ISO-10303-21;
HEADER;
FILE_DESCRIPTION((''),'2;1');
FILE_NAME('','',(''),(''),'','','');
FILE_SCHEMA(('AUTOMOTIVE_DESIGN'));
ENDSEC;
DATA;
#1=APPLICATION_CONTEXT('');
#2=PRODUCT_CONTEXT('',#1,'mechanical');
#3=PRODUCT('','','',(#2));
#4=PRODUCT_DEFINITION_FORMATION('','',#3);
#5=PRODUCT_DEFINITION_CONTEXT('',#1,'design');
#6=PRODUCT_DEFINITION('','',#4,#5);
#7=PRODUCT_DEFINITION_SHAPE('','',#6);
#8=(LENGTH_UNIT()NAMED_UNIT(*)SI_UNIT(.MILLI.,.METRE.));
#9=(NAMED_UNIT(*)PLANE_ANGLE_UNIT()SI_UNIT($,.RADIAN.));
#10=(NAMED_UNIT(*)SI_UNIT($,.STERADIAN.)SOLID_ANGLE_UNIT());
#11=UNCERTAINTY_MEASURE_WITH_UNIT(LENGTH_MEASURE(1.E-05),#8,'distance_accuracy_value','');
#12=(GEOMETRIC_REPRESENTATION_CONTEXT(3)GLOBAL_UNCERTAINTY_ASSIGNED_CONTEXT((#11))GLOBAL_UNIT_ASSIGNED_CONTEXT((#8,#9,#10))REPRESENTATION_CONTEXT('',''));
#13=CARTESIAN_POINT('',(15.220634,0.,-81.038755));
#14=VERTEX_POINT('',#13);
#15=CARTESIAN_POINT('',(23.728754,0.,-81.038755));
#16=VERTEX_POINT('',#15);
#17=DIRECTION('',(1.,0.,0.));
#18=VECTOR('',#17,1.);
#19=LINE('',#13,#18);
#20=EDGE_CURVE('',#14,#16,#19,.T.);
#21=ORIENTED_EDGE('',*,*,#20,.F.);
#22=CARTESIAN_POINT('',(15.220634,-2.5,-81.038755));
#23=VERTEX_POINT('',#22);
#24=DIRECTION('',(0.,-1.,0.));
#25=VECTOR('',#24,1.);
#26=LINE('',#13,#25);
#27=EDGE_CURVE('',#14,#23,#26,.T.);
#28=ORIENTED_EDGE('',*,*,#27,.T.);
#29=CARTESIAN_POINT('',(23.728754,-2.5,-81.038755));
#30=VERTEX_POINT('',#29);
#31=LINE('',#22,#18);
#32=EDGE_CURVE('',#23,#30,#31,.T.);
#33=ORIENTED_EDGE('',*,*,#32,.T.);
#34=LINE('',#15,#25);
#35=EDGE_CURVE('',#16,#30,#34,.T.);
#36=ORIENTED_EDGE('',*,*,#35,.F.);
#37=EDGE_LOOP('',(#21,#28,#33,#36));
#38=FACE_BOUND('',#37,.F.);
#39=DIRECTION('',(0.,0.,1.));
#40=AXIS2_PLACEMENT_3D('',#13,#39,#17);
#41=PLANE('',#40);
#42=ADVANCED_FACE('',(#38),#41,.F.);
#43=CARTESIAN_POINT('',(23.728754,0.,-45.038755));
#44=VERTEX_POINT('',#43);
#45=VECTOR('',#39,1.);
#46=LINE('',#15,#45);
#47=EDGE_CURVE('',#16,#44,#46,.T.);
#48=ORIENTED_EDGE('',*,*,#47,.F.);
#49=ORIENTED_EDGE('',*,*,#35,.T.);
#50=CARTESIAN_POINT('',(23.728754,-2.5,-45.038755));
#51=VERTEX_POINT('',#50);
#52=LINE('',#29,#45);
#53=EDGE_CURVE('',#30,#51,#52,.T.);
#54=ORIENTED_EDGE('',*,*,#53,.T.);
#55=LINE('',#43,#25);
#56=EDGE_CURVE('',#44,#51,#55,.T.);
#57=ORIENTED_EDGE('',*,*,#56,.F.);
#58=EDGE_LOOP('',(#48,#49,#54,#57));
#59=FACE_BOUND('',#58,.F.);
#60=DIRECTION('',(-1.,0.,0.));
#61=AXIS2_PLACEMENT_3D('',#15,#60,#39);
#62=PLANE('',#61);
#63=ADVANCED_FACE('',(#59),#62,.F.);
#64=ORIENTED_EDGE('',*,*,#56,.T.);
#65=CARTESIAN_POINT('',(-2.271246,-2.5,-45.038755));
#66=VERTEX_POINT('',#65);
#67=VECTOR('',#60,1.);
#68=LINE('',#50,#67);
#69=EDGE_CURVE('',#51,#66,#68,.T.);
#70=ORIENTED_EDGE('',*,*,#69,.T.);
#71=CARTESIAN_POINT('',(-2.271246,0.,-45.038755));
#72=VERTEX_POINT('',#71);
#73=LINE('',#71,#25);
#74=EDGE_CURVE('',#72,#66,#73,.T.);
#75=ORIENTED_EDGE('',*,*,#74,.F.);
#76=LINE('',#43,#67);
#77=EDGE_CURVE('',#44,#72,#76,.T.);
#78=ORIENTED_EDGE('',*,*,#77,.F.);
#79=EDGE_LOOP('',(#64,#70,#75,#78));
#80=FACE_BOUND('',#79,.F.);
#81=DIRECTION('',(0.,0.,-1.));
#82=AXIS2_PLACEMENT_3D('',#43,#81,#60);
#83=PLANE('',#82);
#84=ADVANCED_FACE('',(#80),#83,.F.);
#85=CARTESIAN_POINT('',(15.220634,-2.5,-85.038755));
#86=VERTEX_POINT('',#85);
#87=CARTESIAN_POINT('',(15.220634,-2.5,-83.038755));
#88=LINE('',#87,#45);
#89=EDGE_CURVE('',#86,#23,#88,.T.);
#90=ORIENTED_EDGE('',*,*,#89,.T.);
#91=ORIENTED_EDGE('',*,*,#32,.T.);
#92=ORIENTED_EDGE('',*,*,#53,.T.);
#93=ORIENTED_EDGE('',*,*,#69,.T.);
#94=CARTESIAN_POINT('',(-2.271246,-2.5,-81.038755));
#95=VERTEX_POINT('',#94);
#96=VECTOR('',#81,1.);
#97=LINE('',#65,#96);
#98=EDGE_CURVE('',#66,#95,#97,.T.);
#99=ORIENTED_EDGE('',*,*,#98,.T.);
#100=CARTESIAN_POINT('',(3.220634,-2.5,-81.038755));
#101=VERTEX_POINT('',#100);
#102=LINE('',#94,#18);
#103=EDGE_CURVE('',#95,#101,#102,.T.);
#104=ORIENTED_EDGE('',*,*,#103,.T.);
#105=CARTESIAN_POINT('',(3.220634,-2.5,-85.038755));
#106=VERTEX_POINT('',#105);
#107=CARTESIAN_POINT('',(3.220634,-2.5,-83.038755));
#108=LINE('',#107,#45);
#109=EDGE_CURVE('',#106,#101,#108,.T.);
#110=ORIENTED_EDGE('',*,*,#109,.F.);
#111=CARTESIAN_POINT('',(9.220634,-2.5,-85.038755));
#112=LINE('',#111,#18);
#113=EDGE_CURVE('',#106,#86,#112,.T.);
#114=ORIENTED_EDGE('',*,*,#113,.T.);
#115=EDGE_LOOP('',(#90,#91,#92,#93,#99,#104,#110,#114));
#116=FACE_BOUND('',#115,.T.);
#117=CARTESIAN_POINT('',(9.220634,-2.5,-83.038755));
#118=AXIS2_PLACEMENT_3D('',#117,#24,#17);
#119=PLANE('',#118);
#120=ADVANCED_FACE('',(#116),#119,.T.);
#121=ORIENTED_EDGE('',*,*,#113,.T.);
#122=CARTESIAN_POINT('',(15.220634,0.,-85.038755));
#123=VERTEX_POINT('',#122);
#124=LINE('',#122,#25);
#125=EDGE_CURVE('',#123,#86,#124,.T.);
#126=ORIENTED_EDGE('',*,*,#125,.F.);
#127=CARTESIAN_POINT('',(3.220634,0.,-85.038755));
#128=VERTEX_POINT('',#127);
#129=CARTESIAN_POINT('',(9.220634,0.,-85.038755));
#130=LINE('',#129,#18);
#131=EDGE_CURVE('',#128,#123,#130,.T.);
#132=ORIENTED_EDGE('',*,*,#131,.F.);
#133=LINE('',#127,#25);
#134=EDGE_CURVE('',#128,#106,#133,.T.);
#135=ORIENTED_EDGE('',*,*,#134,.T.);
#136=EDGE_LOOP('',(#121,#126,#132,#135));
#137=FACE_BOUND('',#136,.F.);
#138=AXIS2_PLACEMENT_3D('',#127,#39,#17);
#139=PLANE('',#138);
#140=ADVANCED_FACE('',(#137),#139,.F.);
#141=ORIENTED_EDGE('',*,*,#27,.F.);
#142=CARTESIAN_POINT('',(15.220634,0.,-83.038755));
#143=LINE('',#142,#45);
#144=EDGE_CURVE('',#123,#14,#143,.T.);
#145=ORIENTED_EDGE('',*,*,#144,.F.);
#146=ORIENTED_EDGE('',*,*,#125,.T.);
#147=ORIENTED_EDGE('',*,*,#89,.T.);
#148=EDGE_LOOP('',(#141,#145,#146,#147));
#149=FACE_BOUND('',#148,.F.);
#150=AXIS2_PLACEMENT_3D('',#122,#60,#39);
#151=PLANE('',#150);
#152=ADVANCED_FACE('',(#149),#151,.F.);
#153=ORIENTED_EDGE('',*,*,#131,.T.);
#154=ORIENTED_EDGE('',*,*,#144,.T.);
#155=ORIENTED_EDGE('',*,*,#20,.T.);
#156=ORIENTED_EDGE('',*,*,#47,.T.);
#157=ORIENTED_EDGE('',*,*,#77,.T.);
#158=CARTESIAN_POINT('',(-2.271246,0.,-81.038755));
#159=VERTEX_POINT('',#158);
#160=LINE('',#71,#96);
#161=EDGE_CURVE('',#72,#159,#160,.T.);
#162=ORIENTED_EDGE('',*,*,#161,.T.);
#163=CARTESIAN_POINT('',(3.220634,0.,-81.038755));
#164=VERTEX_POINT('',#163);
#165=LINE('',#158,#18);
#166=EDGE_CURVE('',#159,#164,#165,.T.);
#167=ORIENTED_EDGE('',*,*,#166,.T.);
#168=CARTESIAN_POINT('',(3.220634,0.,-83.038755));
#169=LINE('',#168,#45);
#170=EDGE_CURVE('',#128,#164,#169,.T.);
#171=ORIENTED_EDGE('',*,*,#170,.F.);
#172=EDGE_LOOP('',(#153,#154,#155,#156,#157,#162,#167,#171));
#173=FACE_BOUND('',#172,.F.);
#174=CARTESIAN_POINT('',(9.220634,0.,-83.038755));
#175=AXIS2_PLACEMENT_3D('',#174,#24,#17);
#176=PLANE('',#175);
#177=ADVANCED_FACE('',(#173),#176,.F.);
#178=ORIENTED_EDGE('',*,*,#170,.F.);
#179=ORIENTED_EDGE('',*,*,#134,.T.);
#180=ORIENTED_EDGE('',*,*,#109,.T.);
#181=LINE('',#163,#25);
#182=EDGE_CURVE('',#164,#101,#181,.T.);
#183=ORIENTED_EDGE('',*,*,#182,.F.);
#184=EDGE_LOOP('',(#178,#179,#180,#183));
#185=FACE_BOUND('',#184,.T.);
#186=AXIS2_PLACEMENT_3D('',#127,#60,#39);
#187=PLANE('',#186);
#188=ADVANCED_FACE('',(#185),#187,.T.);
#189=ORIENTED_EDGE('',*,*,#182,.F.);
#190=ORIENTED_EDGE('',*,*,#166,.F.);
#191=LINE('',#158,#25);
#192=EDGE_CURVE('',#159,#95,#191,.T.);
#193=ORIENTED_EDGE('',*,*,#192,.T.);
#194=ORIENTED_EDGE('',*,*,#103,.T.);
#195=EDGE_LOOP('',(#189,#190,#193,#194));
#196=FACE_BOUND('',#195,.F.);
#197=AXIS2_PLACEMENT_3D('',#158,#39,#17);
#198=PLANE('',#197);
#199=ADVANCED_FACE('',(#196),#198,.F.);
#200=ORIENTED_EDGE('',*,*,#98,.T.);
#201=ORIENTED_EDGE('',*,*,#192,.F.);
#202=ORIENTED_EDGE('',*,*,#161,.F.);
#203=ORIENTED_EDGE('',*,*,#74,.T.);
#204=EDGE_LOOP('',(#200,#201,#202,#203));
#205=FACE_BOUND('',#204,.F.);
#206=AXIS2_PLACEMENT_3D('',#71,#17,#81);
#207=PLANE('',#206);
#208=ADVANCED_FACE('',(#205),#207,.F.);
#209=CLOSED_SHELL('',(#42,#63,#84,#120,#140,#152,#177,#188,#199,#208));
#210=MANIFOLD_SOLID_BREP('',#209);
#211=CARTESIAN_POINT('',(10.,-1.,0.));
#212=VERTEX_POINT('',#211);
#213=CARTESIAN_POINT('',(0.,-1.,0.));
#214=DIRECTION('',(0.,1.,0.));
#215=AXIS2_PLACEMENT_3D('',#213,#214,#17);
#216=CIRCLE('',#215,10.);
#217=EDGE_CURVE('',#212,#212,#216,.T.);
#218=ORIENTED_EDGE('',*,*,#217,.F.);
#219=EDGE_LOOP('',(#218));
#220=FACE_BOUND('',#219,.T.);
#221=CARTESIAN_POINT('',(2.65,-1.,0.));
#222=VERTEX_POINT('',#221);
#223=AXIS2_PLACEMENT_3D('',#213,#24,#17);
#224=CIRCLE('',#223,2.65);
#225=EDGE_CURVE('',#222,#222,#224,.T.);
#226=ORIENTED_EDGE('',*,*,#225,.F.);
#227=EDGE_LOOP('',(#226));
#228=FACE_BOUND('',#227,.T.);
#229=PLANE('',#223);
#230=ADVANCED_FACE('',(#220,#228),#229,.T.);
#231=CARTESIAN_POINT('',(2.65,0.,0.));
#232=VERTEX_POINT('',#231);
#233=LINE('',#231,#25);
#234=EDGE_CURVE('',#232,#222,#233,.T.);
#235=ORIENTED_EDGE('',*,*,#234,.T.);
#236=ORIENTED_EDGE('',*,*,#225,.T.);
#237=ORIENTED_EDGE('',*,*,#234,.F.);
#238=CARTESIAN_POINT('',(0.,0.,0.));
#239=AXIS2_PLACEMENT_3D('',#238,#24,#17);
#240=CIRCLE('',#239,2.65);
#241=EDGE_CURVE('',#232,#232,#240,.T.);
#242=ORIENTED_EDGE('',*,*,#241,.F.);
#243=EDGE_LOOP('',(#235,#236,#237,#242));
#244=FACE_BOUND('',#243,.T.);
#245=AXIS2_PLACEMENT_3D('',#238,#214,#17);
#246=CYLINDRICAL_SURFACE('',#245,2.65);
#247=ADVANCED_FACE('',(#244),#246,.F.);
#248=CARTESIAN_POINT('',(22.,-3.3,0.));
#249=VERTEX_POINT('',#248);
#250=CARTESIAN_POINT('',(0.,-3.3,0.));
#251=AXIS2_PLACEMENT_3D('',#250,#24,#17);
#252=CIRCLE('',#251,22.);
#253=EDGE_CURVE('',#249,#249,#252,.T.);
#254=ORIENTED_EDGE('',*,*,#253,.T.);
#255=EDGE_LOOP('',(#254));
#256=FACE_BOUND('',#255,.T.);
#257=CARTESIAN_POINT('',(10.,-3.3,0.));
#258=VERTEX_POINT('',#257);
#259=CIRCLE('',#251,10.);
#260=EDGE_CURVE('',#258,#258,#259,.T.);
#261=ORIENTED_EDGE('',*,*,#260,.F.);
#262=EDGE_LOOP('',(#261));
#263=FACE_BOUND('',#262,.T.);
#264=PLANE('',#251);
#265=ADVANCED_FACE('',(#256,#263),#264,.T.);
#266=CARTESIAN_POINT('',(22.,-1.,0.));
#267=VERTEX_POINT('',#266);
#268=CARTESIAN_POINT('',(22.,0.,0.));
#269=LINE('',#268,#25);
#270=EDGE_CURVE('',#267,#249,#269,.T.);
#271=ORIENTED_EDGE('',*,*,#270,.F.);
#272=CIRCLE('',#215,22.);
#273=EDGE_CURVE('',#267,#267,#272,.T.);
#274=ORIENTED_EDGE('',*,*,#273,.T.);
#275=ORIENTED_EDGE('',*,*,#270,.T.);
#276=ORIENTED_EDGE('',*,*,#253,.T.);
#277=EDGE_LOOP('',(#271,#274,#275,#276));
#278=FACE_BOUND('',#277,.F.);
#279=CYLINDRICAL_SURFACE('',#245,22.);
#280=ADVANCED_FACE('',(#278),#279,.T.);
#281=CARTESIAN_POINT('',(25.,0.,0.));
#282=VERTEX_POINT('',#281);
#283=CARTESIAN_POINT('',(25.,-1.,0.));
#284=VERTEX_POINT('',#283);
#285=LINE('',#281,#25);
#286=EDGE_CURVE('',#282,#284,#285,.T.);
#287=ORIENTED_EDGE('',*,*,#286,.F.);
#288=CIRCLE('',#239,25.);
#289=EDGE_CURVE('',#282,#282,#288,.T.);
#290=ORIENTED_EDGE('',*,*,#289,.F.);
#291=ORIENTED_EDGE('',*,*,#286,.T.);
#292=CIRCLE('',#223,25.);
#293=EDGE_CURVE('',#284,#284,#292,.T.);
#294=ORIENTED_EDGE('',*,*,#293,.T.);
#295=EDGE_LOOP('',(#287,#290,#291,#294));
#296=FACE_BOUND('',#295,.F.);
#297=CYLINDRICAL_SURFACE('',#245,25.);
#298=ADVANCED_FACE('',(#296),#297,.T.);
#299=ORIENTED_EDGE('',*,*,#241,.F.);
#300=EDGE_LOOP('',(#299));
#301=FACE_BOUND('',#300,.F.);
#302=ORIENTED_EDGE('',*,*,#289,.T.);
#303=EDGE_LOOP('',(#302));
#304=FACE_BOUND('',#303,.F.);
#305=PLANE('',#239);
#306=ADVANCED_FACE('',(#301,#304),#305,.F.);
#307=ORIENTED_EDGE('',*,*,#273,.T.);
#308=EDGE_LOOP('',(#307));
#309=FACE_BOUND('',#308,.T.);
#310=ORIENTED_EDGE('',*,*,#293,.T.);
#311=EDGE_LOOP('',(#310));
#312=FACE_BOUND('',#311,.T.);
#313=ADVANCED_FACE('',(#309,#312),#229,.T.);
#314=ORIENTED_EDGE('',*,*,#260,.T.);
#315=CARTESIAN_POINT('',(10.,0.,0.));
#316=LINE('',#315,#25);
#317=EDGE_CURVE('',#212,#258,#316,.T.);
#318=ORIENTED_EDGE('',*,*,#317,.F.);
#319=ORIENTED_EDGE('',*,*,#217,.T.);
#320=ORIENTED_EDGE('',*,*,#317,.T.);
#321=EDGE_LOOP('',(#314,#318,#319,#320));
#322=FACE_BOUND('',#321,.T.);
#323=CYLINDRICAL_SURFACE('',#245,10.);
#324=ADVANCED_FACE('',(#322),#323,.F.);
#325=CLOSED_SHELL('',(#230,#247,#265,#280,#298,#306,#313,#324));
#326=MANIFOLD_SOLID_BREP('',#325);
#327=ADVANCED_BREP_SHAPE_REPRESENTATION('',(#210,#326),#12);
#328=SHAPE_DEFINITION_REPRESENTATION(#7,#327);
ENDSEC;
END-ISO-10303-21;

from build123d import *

# Parameters (mm, degrees)
F0_R     = 25
F0_R_2   = 22
F0_R_3   = 10
F0_R_4   = 2.65
F1_DEPTH = 1
F2_DEPTH = 3.3
F3_W     = 12
F3_H     = 4
F4_DEPTH = 2.5


with BuildPart() as f1:
    # F0 (on Front) → F1 (new body)
    with BuildSketch(Plane.XZ):
        Circle(F0_R)
        Circle(F0_R_2, mode=Mode.SUBTRACT)
        Circle(F0_R_2)
        Circle(F0_R_3, mode=Mode.SUBTRACT)
        Circle(F0_R_3)
        Circle(F0_R_4, mode=Mode.SUBTRACT)
    extrude(amount=F1_DEPTH)

    # F0 (on Front) → F2 (join)
    with BuildSketch(Plane.XZ):
        Circle(F0_R_2)
        Circle(F0_R_3, mode=Mode.SUBTRACT)
    extrude(amount=F2_DEPTH)


with BuildPart() as f4:
    # F3 (on Front) → F4 (new body)
    with BuildSketch(Plane.XZ):
        with Locations((9.220634, -83.038755)):
            Rectangle(F3_W, F3_H)
        Polygon((23.728754, -45.038755), (-2.271246, -45.038755), (-2.271246, -81.038755), (3.220634, -81.038755), (15.220634, -81.038755), (23.728754, -81.038755), align=None)
    extrude(amount=F4_DEPTH)


solid = Compound([f1.part, f4.part])
